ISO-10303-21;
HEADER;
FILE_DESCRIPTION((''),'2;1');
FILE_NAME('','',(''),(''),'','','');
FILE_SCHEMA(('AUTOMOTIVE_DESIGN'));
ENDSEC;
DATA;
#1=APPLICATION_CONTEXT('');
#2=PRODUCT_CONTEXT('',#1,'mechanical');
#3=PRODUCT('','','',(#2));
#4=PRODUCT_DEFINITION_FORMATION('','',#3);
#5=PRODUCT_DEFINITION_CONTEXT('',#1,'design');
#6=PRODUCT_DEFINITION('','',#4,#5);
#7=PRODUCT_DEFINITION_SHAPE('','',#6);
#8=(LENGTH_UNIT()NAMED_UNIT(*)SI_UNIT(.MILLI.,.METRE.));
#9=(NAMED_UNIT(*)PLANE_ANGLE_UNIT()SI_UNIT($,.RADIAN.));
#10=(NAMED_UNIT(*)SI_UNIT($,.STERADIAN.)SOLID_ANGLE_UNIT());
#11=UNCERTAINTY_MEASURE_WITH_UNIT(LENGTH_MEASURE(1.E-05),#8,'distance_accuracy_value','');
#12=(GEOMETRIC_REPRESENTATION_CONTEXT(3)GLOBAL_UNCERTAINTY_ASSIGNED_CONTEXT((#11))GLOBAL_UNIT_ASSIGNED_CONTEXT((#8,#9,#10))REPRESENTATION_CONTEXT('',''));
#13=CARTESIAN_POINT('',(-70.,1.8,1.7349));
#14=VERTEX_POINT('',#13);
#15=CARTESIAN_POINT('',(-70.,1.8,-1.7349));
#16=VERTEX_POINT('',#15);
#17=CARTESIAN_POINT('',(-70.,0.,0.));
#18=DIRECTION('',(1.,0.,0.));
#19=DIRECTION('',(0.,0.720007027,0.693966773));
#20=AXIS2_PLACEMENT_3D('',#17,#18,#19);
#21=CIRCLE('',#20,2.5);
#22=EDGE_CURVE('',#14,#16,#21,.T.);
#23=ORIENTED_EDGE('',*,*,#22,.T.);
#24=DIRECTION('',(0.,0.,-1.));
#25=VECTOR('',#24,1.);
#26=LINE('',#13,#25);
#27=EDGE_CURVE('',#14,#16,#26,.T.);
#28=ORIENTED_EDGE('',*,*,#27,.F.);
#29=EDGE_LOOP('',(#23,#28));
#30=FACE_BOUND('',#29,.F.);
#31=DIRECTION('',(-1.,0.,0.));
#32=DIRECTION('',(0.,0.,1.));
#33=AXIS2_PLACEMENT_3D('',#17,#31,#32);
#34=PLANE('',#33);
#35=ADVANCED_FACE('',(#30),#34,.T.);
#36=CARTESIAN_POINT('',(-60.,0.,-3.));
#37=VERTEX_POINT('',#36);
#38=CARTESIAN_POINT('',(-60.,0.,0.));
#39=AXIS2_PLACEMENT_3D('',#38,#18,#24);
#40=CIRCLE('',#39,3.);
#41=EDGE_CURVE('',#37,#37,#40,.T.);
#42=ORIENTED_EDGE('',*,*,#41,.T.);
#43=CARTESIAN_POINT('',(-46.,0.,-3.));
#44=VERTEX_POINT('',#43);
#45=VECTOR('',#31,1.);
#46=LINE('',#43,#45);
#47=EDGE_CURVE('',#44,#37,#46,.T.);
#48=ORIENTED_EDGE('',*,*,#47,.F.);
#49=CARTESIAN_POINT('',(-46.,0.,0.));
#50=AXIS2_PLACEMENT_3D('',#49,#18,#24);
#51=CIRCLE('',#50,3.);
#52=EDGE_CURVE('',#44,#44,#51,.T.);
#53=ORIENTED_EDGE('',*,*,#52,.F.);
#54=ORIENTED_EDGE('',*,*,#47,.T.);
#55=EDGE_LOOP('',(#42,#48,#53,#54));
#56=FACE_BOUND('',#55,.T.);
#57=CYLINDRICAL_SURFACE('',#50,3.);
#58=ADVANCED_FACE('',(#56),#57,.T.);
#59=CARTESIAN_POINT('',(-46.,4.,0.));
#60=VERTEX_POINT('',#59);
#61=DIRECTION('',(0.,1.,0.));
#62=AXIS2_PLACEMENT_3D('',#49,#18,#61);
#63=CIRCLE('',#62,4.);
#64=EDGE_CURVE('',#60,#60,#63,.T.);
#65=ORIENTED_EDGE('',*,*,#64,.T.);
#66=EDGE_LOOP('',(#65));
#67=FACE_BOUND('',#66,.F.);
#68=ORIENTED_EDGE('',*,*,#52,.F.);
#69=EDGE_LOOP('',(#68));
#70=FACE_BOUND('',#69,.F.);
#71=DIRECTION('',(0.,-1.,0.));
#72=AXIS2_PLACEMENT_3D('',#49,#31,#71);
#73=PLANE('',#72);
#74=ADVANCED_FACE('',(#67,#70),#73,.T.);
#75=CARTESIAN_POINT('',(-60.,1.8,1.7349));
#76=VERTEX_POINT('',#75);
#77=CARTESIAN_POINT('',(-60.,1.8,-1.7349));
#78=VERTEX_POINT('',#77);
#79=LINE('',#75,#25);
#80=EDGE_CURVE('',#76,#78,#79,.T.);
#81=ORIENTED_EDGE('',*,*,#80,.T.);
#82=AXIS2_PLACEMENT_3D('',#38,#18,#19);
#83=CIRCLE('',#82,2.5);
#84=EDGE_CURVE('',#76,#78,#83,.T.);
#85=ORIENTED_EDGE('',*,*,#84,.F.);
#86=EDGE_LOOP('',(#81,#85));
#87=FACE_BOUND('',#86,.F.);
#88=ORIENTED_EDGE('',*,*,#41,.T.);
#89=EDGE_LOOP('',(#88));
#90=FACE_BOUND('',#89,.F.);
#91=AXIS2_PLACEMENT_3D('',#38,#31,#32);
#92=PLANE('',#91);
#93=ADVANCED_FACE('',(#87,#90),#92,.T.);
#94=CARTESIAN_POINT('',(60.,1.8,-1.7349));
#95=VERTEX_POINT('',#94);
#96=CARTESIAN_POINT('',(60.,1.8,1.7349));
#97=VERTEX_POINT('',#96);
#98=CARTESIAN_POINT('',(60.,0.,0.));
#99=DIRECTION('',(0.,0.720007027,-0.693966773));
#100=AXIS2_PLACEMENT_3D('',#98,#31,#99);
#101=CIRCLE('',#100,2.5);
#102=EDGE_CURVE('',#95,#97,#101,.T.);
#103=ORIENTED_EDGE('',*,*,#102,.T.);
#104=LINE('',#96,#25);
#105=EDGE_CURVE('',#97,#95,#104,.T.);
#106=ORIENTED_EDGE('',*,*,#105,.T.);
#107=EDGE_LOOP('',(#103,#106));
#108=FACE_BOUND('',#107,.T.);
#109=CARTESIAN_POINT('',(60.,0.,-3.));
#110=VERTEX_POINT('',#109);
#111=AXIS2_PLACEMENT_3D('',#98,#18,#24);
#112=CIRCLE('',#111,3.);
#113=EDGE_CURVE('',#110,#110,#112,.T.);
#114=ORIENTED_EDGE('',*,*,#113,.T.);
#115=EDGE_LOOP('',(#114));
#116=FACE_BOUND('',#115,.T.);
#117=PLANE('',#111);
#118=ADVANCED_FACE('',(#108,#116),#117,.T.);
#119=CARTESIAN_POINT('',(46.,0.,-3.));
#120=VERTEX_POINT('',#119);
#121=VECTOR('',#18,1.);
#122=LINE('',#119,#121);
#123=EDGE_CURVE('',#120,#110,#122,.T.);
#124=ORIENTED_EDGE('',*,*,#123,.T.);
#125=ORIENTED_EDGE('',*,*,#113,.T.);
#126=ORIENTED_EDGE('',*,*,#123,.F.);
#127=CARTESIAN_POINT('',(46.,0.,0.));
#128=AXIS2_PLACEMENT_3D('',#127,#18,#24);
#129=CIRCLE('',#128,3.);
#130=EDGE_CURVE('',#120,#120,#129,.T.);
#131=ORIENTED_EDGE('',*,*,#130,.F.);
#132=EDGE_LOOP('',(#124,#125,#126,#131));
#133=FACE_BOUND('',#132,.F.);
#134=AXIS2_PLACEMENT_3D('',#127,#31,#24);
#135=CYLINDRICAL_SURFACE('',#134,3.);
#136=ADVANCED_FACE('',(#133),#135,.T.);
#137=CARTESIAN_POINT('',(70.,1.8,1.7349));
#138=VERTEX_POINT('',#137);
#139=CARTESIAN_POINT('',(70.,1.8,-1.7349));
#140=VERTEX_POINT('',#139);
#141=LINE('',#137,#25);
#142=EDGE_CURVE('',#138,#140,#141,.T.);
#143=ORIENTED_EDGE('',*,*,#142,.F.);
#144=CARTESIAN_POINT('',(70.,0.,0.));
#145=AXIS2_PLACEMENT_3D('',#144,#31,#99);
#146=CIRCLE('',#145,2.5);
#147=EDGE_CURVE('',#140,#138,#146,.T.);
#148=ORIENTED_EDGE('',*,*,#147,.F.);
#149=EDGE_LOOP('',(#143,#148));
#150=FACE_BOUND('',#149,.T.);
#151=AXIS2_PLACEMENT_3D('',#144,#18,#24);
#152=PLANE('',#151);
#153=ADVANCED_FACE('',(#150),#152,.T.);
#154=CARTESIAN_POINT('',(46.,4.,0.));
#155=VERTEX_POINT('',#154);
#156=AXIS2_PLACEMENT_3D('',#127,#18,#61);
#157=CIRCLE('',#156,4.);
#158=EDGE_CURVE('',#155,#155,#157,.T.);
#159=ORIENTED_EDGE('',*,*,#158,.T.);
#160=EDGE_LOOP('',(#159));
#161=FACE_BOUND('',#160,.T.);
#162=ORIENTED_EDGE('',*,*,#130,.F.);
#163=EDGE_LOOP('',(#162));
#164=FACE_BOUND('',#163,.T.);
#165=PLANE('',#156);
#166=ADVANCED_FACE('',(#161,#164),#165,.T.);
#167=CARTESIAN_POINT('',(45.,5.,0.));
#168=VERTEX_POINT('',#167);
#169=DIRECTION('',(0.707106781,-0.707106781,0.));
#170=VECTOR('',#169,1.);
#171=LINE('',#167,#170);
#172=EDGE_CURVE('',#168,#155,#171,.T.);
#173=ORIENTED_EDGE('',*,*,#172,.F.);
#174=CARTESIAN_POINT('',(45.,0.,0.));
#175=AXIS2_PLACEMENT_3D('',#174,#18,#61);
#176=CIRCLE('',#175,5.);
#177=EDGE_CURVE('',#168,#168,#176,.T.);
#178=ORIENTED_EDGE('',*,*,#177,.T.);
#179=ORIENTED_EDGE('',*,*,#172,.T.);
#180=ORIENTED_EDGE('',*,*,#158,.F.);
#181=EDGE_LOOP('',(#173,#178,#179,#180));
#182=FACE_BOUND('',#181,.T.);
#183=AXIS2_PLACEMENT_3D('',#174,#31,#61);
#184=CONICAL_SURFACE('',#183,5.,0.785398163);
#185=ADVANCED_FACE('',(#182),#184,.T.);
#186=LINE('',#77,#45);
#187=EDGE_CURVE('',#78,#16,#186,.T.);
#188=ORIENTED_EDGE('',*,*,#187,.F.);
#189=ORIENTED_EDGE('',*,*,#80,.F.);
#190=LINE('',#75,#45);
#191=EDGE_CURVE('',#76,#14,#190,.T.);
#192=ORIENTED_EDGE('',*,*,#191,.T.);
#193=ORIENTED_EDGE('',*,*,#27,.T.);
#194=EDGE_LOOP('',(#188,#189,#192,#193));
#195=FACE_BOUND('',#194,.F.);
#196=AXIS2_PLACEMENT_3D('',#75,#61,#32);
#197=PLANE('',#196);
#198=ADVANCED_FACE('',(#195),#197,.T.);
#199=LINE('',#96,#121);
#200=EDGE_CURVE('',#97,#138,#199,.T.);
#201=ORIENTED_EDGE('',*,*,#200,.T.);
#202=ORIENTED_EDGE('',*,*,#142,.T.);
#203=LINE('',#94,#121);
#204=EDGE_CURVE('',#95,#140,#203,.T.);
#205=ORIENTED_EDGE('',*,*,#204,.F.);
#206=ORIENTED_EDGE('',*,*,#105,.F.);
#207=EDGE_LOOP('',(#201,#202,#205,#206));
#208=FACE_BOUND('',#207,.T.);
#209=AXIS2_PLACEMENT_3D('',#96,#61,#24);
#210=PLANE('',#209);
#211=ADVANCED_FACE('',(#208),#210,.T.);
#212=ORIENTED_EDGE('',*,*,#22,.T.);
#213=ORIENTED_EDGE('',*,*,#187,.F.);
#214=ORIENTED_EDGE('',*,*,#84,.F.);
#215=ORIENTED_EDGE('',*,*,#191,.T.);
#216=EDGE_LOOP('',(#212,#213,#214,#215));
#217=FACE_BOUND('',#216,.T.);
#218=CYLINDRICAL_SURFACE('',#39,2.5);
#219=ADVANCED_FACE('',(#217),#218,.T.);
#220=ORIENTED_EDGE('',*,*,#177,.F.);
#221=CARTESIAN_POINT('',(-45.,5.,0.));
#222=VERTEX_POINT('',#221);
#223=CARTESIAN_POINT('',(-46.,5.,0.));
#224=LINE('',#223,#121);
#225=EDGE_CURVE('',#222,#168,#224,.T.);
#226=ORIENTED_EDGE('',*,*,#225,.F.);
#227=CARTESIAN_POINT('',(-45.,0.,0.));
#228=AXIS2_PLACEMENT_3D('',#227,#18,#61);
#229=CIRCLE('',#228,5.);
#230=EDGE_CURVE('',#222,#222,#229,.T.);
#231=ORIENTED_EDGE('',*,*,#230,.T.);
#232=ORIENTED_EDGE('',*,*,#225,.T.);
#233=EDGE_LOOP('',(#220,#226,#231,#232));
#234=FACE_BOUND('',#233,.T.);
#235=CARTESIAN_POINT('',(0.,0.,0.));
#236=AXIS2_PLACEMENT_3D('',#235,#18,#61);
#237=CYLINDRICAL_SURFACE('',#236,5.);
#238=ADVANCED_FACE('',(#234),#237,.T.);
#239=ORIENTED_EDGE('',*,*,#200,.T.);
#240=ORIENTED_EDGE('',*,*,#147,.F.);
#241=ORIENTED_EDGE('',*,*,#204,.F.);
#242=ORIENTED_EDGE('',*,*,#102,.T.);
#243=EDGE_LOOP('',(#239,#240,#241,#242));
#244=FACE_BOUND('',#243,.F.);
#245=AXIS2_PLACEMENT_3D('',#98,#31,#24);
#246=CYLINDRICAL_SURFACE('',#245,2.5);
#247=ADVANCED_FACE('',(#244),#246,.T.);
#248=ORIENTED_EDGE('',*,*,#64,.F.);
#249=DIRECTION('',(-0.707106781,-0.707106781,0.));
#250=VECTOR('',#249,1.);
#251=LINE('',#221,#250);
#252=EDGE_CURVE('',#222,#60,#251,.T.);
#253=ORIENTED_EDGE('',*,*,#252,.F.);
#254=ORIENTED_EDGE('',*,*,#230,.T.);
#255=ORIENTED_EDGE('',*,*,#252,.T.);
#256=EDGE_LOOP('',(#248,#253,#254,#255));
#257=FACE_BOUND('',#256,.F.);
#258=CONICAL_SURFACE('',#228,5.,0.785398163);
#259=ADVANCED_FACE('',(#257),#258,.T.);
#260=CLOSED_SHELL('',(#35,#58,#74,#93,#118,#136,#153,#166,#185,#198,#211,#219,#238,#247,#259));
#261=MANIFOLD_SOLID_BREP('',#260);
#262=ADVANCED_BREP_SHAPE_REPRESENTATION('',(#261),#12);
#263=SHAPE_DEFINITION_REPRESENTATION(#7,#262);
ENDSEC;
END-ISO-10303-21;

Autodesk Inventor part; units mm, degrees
ref_plane "YZ Plane" through (0, 0, 0) normal (1, 0, 0) x (0, 1, 0)
ref_plane "XZ Plane" through (0, 0, 0) normal (0, 1, 0) x (-1, 0, 0)
ref_plane "XY Plane" through (0, 0, 0) normal (0, 0, 1) x (1, 0, 0)
sketch "Sketch1" plane through (0, 0, 0) normal (1, 0, 0) x (0, 1, 0)
  circle A0 centre (0, 0) radius 5
  dimension "d0" = 10
extrude "Extrusion1" add sketch "Sketch1" along normal blind 46
thread "Thread1" size "M10x1.5" class "6g" standard "ANSI Metric M Profile" full length
chamfer "Chamfer1" distance 1 angle 45 1 edges at (46, -5, 0)
sketch "Sketch2" plane through (46, 0, 0) normal (1, 0, 0) x (0, 0, -1)
  circle A0 centre (0, 0) radius 3
  dimension "d8" = 6
extrude "Extrusion2" add sketch "Sketch2" along normal blind 14
sketch "Sketch3" plane through (60, 0, 0) normal (1, 0, 0) x (0, 0, -1)
  circle A0 centre (0, 0) radius 2.5
  line L0 (-1.7349, 1.8) -> (1.7349, 1.8)
  dimension "d11" = 5
  dimension "d12" = 1.8
extrude "Extrusion3" add sketch "Sketch3" along normal blind 10 contours A0 L0 picked at (0.076, 0.3701)
mirror "Mirror1" about plane through (0, 0, 0) normal (-1, 0, 0) of "Extrusion1", "Chamfer1", "Extrusion2", "Extrusion3"
properties part number "КВ33.000.104 - Вал" material "Iron, Ductile"
